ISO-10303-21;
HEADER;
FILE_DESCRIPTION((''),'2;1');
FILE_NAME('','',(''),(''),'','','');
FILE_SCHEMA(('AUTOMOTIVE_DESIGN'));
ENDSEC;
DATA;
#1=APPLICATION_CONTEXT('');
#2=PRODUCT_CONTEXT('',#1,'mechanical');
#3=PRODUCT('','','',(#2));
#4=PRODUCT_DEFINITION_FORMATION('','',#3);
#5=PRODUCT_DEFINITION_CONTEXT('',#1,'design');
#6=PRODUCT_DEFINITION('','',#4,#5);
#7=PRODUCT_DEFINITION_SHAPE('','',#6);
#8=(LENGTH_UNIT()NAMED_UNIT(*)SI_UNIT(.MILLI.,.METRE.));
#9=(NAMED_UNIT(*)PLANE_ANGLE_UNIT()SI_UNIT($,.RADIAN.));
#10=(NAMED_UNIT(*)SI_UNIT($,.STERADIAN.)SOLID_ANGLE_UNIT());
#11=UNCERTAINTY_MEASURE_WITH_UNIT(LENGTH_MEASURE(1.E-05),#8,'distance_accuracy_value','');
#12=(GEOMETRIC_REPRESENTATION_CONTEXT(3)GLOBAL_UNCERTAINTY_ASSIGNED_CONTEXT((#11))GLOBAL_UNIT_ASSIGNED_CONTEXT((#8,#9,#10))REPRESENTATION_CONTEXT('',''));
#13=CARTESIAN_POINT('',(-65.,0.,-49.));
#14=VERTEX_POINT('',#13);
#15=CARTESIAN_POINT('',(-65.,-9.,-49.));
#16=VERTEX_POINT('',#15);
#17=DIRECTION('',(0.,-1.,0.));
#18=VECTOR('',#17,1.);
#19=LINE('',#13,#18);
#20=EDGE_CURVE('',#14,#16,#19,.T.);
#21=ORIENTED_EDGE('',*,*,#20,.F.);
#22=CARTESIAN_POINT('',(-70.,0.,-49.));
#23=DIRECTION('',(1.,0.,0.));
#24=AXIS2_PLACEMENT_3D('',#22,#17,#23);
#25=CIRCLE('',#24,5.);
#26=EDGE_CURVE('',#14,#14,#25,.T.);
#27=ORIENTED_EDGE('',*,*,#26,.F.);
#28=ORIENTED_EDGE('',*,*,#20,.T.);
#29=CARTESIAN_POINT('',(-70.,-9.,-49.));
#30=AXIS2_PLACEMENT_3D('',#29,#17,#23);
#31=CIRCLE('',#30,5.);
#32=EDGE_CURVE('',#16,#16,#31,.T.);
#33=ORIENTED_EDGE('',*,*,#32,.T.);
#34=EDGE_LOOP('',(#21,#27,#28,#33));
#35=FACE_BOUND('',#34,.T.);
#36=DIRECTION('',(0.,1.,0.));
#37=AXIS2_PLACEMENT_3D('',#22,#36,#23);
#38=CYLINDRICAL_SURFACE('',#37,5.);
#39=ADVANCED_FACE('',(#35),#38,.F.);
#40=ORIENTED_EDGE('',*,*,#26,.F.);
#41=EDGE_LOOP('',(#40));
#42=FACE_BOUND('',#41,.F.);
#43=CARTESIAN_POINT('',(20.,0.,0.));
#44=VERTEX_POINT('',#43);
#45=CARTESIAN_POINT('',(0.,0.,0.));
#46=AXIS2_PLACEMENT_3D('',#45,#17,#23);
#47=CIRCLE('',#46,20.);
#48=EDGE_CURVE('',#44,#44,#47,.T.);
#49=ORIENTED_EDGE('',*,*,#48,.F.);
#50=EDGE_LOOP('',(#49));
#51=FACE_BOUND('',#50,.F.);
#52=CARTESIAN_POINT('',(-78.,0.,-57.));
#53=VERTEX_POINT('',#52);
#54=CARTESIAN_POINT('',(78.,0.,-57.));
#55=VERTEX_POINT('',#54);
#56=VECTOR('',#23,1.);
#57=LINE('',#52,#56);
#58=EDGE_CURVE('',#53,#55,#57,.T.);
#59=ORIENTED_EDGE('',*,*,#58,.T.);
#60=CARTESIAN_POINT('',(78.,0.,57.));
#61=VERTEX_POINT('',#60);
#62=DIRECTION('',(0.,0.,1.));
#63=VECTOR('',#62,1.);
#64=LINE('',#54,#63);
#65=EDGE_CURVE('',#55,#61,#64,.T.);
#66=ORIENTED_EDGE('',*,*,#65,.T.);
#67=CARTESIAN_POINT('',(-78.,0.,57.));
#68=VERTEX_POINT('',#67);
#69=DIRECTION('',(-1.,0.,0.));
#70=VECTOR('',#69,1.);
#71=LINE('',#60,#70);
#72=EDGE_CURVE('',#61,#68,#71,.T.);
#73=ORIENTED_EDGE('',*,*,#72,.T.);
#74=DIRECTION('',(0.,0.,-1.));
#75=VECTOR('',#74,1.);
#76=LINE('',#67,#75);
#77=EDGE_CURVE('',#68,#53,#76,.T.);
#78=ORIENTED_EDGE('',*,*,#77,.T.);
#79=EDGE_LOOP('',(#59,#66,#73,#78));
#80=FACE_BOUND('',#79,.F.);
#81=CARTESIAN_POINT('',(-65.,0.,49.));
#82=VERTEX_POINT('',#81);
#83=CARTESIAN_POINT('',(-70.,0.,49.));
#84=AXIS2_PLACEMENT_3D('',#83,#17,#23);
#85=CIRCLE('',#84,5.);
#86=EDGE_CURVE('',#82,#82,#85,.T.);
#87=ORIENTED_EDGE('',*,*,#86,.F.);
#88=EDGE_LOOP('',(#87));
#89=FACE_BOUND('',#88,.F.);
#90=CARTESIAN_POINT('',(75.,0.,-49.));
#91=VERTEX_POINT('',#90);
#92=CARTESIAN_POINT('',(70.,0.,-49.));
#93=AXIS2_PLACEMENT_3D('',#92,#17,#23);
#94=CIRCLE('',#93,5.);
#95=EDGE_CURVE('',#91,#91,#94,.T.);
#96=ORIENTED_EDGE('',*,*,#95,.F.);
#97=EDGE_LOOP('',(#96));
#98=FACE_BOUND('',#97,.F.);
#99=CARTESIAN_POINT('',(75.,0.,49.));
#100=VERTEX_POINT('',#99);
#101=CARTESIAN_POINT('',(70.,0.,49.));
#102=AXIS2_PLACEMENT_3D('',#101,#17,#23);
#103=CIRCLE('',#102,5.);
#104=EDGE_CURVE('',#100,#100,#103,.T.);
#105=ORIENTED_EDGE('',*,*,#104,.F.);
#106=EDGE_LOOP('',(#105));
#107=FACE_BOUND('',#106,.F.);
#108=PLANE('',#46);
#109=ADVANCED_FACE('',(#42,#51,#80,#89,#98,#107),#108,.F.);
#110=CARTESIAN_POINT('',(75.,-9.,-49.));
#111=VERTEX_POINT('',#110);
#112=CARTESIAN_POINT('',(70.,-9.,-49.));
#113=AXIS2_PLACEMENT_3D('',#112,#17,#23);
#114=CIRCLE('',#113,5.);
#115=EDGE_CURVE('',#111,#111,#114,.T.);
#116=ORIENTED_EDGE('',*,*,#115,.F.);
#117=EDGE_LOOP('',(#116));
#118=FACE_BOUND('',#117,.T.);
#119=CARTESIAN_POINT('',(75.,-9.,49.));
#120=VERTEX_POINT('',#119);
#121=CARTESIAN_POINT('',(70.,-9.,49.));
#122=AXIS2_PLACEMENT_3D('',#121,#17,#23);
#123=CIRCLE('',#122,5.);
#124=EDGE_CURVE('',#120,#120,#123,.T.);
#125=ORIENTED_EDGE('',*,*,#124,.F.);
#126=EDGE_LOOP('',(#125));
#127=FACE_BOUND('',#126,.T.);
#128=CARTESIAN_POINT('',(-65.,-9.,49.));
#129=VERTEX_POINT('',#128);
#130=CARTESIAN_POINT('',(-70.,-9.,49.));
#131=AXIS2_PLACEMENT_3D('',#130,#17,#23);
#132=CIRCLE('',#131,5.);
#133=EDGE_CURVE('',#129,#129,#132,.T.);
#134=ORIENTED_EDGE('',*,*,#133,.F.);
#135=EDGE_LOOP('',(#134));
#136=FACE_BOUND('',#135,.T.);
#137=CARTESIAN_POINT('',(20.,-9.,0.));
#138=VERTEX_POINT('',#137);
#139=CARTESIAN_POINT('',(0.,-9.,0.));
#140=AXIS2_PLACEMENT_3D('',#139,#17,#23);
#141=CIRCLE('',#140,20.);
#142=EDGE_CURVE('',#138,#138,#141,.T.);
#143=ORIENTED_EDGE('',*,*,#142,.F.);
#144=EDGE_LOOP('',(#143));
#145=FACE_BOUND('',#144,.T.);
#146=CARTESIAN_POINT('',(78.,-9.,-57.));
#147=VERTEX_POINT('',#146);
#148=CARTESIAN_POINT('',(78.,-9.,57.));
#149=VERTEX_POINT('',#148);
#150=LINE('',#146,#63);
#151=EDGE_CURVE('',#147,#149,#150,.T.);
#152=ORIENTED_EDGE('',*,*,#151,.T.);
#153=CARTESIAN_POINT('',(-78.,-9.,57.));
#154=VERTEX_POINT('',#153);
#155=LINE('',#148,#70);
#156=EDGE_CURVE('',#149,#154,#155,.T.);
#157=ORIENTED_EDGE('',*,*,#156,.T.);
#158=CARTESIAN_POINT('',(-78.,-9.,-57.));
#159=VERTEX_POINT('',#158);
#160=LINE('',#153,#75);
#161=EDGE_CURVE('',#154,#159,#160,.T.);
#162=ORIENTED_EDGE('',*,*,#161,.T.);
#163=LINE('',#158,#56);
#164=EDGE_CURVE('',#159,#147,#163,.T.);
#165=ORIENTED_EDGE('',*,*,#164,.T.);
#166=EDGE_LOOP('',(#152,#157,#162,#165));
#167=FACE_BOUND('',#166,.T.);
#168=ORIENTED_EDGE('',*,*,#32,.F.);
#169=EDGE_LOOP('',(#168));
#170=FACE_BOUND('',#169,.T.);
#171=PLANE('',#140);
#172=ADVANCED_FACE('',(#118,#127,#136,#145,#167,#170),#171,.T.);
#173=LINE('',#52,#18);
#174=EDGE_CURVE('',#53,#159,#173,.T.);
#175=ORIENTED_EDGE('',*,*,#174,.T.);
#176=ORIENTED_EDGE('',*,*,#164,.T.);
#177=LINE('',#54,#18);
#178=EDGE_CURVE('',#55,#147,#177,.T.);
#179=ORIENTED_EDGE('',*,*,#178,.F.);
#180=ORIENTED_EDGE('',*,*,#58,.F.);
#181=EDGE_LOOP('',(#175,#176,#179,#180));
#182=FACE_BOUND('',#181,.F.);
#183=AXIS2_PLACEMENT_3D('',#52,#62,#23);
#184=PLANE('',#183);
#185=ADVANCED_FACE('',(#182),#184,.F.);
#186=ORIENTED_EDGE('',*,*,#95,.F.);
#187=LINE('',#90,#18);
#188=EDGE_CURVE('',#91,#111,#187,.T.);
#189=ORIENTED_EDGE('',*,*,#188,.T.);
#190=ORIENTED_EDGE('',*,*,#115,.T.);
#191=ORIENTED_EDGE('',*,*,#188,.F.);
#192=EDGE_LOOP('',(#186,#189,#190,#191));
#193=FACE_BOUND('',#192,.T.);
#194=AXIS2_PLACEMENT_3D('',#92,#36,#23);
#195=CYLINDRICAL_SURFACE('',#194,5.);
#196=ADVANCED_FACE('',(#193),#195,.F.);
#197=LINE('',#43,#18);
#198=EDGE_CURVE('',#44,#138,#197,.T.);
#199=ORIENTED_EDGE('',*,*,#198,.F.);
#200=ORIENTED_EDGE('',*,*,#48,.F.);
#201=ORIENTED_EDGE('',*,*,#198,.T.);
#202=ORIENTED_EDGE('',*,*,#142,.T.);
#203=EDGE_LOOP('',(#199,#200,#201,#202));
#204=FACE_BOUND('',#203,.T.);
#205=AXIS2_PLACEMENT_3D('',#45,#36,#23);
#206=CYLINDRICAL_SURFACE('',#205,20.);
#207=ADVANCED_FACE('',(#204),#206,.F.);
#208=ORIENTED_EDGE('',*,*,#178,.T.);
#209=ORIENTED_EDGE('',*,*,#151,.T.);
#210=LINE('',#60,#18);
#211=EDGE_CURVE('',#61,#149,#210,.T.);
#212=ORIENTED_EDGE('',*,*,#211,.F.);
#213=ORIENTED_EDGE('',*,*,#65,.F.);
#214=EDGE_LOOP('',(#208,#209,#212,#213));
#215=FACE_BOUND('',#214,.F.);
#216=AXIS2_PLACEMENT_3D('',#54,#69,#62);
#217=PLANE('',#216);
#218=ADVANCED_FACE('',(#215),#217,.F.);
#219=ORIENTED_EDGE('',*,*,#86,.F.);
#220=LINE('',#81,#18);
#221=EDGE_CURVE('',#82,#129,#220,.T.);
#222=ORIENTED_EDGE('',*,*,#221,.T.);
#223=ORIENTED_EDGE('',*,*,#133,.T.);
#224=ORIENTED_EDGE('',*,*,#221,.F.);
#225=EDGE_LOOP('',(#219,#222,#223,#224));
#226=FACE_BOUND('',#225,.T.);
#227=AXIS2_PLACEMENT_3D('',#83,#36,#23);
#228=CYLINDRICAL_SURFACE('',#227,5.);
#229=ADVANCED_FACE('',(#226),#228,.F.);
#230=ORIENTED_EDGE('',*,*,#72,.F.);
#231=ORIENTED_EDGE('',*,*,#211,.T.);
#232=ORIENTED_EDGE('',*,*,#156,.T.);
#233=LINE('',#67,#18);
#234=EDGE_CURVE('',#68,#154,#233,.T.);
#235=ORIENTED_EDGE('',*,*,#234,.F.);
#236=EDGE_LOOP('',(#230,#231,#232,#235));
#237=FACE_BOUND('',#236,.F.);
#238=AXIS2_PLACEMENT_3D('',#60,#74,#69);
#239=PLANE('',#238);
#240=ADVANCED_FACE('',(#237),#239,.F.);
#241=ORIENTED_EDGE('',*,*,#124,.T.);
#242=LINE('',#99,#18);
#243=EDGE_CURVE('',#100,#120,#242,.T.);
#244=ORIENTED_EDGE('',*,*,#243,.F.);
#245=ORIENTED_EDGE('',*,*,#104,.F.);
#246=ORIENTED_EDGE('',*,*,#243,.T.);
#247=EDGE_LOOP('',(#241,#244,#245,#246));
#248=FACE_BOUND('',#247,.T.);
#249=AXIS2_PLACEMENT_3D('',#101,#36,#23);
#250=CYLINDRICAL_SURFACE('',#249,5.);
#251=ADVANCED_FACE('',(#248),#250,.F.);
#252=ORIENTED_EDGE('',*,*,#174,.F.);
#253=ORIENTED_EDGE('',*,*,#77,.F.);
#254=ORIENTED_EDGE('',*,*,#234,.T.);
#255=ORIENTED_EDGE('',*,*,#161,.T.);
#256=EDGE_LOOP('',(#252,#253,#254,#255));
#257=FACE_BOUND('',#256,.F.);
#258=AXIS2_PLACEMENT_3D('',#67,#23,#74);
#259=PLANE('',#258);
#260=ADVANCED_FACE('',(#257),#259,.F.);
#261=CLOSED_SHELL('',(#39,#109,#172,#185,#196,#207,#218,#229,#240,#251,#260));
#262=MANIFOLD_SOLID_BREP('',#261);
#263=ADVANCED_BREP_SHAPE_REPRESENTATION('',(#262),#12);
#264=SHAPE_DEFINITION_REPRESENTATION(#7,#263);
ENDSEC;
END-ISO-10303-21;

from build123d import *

# Parameters (mm, degrees)
F0_R     = 5
F0_R_2   = 20
F1_DEPTH = 9


with BuildPart() as f1:
    # F0 (on Front) → F1 (new body)
    with BuildSketch(Plane.XZ):
        Polygon((-78, -52), (-78, -57), (78, -57), (78, -52), (78, 52), (78, 57), (-78, 57), (-78, 52), align=None)
        with Locations((-70, -49)):
            Circle(F0_R, mode=Mode.SUBTRACT)
        with Locations((70, -49)):
            Circle(F0_R, mode=Mode.SUBTRACT)
        with Locations((-70, 49)):
            Circle(F0_R, mode=Mode.SUBTRACT)
        Circle(F0_R_2, mode=Mode.SUBTRACT)
        with Locations((70, 49)):
            Circle(F0_R, mode=Mode.SUBTRACT)
    extrude(amount=F1_DEPTH)


solid = f1.part
